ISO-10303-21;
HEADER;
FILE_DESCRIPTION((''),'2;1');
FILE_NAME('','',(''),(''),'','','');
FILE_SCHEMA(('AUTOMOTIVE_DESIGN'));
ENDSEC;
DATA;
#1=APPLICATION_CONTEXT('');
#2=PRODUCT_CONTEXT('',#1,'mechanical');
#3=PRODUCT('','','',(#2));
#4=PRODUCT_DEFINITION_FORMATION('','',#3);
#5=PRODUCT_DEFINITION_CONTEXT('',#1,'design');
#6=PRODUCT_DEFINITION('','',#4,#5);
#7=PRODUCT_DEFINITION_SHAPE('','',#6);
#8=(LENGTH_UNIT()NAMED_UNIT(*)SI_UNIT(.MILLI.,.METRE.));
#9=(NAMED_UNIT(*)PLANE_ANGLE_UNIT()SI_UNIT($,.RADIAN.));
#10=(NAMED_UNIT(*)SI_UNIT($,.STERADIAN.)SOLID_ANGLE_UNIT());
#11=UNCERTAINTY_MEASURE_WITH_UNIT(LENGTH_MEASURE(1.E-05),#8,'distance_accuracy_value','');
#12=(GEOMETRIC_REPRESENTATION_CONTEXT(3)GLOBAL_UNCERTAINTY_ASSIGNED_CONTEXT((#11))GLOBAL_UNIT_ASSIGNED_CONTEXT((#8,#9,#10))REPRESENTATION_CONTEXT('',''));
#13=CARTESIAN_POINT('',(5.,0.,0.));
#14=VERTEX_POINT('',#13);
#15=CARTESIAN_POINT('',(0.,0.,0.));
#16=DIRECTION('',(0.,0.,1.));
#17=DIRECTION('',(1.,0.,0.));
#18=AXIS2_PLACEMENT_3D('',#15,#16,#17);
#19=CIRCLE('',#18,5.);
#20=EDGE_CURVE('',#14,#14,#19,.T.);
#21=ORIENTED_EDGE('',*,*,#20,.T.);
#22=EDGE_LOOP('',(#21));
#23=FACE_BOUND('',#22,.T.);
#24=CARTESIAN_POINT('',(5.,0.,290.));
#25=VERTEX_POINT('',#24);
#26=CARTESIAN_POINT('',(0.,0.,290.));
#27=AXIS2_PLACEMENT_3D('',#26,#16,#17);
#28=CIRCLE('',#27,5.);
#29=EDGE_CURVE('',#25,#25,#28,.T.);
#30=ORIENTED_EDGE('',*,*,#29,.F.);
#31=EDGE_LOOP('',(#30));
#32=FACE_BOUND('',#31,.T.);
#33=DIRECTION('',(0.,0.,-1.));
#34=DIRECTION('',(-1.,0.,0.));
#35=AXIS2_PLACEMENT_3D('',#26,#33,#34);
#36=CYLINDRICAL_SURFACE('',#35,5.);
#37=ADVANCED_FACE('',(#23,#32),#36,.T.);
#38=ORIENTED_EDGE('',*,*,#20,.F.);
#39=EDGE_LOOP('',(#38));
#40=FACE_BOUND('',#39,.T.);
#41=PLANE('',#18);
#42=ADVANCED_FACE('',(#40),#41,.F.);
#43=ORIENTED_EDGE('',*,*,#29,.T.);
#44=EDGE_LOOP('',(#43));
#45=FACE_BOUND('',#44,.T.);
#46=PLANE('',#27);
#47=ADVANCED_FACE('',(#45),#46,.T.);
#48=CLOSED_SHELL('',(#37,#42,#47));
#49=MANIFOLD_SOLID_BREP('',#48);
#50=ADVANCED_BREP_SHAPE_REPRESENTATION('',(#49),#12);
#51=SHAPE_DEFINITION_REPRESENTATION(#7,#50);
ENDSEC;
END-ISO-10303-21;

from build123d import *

# Parameters (mm, degrees)
SKETCH_1_R      = 5
EXTRUDE_1_DEPTH = 290


with BuildPart() as part:
    # 스케치1 → 보스-돌출1 (new body)
    with BuildSketch(Plane.XY):
        Circle(SKETCH_1_R)
    extrude(amount=EXTRUDE_1_DEPTH)


solid = part.part
